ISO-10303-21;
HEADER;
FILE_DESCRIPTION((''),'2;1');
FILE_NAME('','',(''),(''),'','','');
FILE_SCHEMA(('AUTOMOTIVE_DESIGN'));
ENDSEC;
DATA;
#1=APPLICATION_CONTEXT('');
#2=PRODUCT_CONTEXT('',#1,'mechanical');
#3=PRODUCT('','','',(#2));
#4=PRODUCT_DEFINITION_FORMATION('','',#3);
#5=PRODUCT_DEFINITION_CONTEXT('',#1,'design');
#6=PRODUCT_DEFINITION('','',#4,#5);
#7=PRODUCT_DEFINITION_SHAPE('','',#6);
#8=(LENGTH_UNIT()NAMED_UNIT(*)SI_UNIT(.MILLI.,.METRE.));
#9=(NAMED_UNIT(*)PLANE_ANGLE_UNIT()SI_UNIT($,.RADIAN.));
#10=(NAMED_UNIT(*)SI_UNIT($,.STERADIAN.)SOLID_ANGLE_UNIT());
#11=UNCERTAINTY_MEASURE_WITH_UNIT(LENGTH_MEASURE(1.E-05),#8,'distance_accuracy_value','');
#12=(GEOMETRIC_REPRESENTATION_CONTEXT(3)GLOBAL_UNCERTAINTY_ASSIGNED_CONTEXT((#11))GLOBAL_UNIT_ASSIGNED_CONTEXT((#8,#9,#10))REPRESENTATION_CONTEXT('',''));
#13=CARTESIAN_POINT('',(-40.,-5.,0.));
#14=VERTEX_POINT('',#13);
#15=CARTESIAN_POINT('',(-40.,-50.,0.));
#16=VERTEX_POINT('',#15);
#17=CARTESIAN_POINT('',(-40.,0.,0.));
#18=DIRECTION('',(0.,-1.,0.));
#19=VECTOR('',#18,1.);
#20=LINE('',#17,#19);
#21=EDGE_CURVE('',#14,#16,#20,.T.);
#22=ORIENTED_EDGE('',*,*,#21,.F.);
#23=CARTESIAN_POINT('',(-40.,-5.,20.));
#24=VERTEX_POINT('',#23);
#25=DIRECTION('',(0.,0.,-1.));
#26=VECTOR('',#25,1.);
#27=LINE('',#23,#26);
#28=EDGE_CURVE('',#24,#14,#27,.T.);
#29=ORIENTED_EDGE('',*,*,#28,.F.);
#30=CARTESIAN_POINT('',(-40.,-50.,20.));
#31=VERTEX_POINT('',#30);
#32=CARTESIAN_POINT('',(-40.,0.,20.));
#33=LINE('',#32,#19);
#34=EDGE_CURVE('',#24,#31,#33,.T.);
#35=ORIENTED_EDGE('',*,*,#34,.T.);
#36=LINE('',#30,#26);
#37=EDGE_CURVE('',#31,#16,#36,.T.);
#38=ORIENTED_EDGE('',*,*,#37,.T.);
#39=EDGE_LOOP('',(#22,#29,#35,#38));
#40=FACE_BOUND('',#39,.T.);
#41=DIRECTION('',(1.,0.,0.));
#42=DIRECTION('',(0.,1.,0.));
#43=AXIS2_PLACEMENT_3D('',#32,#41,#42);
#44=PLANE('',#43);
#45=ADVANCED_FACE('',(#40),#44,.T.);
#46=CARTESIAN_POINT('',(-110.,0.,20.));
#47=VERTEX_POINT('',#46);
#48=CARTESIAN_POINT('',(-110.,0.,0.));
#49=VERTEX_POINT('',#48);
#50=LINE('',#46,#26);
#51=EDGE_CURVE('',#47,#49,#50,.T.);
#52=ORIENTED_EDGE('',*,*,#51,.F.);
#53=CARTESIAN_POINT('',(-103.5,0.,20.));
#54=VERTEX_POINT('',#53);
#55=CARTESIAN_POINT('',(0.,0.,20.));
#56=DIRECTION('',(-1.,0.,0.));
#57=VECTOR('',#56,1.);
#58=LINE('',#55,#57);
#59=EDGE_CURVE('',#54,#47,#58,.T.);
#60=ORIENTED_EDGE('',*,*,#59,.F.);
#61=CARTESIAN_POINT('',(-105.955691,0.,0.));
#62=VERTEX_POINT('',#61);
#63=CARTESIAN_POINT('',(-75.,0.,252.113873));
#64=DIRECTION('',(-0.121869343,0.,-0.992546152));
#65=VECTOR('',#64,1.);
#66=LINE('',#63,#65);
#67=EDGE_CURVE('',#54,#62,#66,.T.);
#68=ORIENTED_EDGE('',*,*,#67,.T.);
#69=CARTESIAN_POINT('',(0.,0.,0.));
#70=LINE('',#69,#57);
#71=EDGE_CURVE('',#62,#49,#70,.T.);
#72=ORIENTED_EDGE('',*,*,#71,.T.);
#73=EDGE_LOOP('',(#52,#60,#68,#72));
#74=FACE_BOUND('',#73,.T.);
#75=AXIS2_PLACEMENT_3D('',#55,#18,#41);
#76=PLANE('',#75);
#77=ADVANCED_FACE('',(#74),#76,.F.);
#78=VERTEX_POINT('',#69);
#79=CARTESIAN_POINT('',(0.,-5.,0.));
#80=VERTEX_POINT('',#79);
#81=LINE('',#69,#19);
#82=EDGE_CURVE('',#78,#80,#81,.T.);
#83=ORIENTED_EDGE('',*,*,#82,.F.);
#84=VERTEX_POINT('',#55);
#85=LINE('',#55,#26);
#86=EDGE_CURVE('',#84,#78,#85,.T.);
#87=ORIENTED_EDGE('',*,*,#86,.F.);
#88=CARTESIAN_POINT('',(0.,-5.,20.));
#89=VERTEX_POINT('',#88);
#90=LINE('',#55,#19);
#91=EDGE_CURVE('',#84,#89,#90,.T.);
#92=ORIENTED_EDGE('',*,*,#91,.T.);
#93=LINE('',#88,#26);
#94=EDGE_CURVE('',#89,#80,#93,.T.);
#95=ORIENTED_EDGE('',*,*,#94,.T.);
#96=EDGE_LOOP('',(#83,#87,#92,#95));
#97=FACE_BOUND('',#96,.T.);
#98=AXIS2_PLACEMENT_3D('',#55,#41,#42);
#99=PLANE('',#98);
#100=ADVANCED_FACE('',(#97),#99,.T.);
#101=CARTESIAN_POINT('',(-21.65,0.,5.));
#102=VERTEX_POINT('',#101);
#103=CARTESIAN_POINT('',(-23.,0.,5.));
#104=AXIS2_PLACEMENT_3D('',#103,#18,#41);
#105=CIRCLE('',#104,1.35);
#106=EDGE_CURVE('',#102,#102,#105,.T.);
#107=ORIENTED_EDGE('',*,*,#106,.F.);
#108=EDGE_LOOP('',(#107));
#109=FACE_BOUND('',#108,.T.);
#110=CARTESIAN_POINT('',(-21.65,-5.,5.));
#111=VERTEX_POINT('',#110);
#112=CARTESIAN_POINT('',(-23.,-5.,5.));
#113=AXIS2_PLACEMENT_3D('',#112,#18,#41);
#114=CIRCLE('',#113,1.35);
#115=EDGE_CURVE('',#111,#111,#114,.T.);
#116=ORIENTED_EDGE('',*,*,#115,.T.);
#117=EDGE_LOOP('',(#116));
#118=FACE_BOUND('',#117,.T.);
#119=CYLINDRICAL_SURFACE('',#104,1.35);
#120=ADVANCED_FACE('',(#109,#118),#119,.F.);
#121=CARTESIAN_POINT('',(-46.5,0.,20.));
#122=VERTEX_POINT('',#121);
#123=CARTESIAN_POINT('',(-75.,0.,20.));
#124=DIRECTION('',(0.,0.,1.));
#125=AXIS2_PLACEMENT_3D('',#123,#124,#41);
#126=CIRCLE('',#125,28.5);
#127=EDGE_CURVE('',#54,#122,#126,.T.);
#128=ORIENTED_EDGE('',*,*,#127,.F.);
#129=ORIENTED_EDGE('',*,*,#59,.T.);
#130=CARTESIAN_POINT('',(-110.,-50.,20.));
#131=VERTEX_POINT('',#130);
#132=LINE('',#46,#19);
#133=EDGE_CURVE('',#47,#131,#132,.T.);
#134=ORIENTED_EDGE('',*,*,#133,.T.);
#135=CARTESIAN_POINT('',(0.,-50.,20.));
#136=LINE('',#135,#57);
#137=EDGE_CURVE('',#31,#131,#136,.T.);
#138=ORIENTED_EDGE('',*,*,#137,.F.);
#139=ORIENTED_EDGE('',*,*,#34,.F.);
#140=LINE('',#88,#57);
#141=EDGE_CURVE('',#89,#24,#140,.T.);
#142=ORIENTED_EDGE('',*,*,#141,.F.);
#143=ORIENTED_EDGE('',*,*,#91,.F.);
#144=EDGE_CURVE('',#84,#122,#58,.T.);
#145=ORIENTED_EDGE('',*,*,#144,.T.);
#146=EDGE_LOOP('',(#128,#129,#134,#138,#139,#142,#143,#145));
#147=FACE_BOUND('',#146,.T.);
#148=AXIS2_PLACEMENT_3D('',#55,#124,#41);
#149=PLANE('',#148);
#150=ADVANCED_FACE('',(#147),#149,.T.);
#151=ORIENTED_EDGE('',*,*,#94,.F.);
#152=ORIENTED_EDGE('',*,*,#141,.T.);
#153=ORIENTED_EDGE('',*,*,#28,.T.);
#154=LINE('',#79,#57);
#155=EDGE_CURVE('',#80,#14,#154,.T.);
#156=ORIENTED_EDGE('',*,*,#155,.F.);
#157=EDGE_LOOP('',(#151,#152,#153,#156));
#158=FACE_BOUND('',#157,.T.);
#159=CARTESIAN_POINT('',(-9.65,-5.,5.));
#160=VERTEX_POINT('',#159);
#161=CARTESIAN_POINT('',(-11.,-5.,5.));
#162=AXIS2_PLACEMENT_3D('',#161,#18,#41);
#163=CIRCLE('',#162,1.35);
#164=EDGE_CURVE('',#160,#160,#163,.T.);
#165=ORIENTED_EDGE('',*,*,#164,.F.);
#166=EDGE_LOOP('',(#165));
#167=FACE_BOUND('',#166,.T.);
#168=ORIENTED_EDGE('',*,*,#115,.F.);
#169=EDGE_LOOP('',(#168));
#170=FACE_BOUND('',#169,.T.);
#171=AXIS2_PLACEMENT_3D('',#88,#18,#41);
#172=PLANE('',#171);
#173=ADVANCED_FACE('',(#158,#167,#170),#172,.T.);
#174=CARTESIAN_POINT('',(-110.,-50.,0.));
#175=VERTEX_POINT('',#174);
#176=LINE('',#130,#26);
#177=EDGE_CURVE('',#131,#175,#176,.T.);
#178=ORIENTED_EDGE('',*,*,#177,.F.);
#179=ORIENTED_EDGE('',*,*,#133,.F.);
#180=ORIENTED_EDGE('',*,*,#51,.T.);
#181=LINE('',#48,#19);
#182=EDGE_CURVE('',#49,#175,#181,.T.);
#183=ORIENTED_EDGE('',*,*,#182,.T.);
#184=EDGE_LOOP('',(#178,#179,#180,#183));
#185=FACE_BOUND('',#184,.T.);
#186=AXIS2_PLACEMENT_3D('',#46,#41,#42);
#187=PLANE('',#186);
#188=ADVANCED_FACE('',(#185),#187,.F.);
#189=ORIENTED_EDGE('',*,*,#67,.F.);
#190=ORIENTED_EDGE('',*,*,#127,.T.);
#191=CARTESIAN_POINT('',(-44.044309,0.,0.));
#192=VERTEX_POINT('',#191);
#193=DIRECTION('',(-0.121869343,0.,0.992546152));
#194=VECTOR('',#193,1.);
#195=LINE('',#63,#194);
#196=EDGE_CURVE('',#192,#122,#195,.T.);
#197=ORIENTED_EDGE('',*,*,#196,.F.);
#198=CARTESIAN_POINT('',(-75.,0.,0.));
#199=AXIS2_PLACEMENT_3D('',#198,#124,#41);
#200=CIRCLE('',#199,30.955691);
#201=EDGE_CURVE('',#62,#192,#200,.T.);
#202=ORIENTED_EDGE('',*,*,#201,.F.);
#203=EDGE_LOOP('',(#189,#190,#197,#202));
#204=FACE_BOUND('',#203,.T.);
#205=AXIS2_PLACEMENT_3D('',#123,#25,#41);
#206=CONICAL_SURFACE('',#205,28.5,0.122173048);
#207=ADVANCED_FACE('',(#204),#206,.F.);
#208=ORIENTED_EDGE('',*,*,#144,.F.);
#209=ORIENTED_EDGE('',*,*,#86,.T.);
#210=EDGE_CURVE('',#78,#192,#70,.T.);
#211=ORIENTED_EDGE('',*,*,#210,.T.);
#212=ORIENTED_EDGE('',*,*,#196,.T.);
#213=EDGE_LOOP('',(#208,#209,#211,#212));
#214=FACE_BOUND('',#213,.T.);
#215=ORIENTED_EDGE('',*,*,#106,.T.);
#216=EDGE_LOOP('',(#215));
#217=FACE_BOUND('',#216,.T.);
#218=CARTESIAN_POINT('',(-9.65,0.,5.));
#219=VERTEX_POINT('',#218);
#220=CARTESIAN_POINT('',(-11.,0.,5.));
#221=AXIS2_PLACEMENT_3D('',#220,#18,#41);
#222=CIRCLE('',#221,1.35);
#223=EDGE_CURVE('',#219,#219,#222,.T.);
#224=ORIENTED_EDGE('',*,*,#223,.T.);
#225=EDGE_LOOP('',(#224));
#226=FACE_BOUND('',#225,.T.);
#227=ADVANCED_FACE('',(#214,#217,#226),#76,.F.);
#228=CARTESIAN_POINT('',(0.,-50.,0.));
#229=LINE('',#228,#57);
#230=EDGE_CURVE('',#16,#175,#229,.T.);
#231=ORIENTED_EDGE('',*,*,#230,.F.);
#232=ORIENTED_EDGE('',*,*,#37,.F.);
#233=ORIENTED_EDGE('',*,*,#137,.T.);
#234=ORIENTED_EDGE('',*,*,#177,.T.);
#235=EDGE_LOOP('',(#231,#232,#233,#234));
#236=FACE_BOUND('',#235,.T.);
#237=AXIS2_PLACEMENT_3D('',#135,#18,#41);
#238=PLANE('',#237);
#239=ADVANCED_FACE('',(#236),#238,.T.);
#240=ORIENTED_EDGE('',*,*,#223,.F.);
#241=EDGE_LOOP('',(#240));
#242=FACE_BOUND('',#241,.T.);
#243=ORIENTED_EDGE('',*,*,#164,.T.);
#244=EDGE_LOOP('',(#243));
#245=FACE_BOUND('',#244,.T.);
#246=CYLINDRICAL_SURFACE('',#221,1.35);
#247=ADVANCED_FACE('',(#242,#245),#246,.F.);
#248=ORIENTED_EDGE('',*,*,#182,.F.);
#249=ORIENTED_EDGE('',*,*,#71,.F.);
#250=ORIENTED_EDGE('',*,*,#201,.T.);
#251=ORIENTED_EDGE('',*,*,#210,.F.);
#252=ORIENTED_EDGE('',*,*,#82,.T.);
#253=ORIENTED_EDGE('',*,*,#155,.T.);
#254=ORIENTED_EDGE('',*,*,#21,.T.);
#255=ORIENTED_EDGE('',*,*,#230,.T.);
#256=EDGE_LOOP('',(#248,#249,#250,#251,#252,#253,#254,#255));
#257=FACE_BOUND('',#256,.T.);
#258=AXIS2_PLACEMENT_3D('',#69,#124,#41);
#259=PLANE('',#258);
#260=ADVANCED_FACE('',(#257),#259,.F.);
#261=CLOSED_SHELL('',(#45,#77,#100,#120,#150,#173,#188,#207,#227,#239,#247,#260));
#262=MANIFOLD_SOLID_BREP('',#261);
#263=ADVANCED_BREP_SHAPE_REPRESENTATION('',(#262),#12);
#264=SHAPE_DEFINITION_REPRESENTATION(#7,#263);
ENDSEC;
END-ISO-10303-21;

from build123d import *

# Parameters (mm, degrees)
SKETCH1_W           = 40
SKETCH1_H           = 5
BOSS_EXTRUDE1_DEPTH = 20
SKETCH2_R           = 28.5
CUT_EXTRUDE1_DEPTH  = 21
CUT_EXTRUDE1_TAPER  = -7
SKETCH3_R           = 1.35
CUT_EXTRUDE2_DEPTH  = 6.0000001


with BuildPart() as part:
    # Sketch1 → Boss-Extrude1 (new body)
    with BuildSketch(Plane.XY):
        with Locations((-20, -2.5)):
            Rectangle(SKETCH1_W, SKETCH1_H)
        Polygon((-40, -5), (-40, 0), (-110, 0), (-110, -50), (-40, -50), align=None)
    extrude(amount=BOSS_EXTRUDE1_DEPTH)

    # Sketch2 → Cut-Extrude1 (cut, through all)
    with BuildSketch(Plane.XY.offset(20)):
        with Locations((-75, 0)):
            Circle(SKETCH2_R)
    extrude(amount=-CUT_EXTRUDE1_DEPTH, taper=CUT_EXTRUDE1_TAPER, mode=Mode.SUBTRACT)

    # Sketch3 → Cut-Extrude2 (cut, through all)
    with BuildSketch(Plane.XZ.offset(5)):
        with Locations((-23, 5)):
            Circle(SKETCH3_R)
        with Locations((-11, 5)):
            Circle(SKETCH3_R)
    extrude(amount=-CUT_EXTRUDE2_DEPTH, mode=Mode.SUBTRACT)


solid = part.part
